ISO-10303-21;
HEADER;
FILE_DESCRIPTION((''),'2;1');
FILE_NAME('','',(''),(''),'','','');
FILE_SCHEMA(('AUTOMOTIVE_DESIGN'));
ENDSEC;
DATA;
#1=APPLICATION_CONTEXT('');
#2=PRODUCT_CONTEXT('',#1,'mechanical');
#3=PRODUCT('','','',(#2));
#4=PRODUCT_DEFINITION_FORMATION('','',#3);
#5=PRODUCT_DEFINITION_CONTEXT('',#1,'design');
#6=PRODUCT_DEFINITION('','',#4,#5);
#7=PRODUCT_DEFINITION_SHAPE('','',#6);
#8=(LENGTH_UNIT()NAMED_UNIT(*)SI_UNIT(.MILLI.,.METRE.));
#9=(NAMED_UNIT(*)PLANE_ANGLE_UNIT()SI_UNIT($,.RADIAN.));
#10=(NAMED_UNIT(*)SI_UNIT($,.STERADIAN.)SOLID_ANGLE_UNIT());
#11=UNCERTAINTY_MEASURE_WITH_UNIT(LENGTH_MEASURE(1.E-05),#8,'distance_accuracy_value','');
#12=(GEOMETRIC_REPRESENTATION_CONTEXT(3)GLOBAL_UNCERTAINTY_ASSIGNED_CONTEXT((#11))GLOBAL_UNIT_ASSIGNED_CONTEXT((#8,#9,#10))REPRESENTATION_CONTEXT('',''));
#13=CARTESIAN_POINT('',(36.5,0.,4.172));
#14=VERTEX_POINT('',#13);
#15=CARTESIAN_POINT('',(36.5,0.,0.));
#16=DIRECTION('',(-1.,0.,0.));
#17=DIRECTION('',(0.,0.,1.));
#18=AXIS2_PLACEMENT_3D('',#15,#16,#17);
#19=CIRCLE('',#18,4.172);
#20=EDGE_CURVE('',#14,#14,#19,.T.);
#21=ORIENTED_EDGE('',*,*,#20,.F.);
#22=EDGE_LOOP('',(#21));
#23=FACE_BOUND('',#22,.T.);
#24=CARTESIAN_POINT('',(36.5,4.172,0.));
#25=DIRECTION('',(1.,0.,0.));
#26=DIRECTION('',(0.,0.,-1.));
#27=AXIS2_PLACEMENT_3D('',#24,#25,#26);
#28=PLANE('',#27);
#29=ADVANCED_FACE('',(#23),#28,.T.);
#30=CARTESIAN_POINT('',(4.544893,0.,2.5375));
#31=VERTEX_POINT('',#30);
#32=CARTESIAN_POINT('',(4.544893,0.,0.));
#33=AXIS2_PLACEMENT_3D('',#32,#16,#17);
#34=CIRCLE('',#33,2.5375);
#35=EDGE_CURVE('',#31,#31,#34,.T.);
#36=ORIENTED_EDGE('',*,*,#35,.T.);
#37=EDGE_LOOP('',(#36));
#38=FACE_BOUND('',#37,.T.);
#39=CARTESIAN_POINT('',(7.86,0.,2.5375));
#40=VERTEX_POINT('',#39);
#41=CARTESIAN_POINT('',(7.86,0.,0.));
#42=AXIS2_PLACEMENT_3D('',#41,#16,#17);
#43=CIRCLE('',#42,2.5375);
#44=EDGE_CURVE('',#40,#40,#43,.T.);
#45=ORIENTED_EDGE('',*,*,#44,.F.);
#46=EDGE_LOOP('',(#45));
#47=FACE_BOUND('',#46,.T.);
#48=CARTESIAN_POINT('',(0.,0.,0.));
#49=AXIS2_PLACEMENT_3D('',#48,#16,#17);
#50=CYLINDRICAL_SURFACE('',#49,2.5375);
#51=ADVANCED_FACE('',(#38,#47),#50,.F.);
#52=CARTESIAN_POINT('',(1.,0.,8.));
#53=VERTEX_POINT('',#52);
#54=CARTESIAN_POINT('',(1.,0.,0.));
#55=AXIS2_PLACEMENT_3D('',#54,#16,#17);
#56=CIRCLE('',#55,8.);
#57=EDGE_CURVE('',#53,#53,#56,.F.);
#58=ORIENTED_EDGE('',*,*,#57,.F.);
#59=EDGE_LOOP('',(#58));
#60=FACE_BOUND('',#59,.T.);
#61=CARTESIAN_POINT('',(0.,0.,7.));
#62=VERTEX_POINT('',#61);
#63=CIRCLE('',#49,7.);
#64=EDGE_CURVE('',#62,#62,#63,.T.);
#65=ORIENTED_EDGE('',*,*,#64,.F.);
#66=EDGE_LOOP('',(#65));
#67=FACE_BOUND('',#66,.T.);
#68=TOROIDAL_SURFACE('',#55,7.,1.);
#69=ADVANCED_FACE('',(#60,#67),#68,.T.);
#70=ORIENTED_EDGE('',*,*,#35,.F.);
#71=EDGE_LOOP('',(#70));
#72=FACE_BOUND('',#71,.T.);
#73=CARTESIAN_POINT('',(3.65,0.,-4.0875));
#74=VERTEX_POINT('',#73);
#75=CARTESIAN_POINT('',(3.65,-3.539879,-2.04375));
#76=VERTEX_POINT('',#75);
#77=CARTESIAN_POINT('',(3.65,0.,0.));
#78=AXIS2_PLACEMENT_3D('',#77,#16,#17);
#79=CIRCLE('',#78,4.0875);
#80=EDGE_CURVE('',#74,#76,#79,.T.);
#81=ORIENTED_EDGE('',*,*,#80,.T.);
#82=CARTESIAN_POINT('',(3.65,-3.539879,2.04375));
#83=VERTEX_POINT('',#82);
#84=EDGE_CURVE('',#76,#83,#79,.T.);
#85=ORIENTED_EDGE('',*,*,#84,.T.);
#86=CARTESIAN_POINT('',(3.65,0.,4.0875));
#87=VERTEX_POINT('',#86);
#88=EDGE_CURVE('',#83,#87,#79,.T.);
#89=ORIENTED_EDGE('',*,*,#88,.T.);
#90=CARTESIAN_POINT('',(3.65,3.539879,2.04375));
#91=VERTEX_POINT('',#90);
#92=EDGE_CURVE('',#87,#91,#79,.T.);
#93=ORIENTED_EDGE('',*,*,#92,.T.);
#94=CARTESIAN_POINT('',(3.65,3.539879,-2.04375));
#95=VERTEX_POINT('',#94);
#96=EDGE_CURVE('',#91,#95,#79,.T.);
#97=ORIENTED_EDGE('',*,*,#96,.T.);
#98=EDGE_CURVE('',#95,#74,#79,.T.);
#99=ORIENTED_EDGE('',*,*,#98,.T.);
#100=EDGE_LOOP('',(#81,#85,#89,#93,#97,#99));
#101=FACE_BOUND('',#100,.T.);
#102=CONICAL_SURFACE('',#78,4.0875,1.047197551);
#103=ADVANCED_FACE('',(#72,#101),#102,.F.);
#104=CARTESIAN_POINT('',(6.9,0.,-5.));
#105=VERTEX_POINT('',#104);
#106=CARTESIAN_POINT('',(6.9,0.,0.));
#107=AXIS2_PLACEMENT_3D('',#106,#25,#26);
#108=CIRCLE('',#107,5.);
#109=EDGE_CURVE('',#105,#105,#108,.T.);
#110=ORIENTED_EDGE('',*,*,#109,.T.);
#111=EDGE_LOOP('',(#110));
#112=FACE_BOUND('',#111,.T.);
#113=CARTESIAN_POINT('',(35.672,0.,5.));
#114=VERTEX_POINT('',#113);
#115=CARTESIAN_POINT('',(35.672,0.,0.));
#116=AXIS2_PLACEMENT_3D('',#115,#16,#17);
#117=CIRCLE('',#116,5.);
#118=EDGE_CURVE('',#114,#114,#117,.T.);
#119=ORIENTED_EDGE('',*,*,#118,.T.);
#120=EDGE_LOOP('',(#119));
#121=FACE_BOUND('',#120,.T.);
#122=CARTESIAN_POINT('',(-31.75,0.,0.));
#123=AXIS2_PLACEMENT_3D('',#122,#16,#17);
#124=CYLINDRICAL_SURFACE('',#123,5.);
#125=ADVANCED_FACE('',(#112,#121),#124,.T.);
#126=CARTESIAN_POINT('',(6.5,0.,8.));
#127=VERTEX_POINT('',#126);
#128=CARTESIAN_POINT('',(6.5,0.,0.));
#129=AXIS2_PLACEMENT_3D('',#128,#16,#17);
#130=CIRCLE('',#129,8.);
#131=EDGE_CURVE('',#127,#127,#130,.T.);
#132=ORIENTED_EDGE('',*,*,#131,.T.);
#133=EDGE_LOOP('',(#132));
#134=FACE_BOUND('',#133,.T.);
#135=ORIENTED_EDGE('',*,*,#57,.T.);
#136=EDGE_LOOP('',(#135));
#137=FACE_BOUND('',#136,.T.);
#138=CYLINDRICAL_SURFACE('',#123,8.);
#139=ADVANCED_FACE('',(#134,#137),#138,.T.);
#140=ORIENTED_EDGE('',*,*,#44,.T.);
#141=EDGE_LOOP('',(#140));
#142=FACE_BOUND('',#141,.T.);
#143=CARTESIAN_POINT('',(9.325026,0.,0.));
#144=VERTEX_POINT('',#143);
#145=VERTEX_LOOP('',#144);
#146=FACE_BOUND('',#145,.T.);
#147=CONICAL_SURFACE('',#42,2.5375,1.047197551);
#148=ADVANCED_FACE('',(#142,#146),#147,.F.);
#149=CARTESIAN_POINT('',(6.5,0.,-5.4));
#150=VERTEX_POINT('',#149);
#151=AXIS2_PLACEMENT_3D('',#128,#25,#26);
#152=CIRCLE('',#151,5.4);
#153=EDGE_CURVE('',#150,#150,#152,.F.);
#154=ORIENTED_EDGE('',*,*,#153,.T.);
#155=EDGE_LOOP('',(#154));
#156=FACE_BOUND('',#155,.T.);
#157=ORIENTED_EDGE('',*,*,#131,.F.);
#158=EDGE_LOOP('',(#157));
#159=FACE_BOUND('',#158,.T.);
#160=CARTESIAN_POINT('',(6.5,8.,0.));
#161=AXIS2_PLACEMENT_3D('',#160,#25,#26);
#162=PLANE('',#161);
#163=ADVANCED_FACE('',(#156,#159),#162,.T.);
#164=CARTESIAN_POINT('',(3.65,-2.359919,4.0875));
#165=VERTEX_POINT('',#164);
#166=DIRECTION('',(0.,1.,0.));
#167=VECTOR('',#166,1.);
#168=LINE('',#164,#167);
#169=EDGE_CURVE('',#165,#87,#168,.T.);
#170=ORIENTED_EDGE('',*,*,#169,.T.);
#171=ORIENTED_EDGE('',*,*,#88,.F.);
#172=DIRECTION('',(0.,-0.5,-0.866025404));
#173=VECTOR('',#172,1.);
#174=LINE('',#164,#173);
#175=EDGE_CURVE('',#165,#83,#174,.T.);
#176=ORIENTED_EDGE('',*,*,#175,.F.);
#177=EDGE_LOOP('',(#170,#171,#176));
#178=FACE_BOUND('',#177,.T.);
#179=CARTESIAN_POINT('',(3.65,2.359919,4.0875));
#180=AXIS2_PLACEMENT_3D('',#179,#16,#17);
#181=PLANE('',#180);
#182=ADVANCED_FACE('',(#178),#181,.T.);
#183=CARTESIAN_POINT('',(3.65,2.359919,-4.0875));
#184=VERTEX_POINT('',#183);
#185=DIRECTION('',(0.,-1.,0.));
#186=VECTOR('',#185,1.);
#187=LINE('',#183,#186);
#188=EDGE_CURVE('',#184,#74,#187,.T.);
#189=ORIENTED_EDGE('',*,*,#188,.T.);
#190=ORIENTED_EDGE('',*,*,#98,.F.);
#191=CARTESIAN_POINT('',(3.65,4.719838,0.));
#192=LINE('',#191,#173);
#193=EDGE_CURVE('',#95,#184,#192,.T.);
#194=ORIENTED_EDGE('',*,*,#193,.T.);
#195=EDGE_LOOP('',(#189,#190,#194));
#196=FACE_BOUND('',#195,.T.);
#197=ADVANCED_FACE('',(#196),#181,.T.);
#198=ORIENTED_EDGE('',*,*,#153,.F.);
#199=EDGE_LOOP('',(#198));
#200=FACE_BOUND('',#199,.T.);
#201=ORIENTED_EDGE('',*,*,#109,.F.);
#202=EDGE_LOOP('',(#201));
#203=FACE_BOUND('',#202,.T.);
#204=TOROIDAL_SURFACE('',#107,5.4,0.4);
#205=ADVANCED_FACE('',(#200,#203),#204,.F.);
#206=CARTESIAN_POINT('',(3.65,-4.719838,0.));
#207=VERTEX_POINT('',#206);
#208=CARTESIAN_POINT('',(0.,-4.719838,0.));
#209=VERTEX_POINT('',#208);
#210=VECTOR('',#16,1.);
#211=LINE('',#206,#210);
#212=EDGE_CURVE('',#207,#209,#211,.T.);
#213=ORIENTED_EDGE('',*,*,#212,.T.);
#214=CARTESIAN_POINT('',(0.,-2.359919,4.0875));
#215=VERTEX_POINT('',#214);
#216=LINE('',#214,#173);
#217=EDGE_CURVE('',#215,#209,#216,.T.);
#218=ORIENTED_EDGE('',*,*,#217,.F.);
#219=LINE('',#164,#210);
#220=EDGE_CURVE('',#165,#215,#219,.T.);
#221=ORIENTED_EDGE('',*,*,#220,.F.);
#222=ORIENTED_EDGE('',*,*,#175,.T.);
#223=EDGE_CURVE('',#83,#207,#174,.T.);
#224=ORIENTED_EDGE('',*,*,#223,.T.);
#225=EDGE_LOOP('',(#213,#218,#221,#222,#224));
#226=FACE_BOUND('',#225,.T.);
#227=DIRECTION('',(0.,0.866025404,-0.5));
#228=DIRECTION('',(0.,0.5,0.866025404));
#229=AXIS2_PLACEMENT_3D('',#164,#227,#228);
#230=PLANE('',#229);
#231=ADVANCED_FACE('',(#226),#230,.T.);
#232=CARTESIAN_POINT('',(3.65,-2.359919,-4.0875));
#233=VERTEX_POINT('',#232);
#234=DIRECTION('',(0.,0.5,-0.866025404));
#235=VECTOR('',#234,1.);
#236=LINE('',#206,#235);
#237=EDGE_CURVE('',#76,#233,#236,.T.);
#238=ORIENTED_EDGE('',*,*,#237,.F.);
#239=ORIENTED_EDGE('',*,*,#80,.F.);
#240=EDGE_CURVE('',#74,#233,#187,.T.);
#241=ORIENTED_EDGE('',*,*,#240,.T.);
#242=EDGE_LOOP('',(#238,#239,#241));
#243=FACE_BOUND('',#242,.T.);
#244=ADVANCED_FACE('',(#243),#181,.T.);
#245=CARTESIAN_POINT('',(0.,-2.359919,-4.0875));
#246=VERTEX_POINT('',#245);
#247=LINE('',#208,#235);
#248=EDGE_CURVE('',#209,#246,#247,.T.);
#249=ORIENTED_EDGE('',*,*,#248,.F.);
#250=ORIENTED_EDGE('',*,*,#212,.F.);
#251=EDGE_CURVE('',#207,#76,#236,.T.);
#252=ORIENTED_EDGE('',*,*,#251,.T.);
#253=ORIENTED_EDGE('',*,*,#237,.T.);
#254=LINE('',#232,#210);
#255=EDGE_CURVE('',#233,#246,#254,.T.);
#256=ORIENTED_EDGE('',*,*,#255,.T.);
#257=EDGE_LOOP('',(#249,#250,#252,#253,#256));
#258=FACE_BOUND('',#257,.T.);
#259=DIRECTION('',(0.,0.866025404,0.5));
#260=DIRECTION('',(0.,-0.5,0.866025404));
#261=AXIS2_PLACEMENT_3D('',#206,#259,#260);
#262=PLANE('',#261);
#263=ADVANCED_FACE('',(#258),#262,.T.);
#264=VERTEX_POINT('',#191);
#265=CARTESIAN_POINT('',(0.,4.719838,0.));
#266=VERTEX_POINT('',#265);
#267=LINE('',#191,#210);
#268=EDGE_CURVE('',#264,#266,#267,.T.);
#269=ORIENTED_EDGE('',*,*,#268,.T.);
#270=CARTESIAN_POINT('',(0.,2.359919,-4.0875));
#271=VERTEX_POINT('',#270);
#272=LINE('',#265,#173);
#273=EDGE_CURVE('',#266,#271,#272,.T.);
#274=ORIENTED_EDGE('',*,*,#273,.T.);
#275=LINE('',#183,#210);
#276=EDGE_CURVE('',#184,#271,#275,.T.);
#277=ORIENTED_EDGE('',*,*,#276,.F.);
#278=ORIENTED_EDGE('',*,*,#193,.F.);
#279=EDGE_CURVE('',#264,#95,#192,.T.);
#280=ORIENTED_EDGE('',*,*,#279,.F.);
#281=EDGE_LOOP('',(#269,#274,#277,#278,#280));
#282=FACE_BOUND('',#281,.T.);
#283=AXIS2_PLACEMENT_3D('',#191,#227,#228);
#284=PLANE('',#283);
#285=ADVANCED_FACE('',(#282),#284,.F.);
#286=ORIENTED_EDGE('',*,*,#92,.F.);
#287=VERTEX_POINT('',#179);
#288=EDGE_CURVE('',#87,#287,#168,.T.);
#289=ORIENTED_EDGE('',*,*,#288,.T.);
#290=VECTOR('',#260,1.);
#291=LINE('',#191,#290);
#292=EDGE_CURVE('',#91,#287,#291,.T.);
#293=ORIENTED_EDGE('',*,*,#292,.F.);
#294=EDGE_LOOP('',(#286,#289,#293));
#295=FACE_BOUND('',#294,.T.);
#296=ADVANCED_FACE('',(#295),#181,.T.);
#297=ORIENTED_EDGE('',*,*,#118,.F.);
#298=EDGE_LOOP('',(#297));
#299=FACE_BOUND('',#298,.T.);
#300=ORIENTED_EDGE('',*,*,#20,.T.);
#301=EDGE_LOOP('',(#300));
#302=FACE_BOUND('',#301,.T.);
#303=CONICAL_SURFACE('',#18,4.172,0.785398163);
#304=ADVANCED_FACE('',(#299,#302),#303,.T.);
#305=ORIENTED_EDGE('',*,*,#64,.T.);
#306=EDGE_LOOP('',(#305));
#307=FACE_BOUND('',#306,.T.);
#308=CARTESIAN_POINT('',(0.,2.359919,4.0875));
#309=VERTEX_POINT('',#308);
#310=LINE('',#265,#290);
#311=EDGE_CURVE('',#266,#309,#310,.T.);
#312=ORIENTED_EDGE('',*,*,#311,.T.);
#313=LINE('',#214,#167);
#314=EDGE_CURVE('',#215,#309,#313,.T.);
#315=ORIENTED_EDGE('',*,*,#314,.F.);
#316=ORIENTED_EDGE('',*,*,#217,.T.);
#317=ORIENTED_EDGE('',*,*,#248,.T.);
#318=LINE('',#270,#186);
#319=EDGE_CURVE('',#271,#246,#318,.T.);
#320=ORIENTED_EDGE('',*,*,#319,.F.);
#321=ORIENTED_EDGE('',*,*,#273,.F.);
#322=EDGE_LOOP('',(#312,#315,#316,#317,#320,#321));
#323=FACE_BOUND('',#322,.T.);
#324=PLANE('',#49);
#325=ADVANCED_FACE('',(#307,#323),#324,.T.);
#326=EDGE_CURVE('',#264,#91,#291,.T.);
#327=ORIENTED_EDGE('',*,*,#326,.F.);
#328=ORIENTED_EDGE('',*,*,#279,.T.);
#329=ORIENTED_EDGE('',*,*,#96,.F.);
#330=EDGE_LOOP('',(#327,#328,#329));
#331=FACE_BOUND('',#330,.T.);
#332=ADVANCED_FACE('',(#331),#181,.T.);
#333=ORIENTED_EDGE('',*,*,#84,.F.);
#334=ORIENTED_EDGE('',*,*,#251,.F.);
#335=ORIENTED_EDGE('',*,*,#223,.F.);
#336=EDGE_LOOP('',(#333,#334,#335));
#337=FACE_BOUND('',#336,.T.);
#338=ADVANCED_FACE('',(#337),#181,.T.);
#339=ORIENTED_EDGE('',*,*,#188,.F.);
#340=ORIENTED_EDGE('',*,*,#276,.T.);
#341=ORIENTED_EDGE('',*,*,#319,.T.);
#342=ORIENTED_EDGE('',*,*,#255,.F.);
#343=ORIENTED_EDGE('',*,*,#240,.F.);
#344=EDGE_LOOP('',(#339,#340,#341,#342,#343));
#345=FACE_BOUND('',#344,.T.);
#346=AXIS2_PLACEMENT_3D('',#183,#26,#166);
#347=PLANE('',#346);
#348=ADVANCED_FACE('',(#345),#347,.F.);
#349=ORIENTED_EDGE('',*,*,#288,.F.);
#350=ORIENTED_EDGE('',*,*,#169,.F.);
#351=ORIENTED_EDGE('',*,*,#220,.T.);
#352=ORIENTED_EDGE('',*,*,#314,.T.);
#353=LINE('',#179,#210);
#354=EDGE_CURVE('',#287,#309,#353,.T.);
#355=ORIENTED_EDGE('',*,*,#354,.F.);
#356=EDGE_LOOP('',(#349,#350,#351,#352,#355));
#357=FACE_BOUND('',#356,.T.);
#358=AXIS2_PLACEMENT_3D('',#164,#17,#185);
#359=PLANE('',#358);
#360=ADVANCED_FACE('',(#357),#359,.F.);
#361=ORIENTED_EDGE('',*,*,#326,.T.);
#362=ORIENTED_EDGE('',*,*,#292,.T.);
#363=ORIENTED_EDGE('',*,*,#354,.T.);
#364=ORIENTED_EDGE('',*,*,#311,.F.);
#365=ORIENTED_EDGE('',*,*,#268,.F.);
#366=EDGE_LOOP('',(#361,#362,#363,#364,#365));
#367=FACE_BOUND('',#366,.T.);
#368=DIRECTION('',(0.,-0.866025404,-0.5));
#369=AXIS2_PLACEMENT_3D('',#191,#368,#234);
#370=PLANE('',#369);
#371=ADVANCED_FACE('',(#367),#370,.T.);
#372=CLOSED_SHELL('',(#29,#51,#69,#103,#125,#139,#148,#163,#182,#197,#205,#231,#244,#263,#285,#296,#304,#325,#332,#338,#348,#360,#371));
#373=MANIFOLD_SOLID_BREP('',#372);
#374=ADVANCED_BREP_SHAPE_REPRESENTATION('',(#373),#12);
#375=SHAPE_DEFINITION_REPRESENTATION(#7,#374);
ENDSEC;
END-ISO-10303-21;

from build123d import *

# Parameters (mm, degrees)
FILLET1_R   = 0.4
FILLET2_R   = 1
HEX_2_DEPTH = 3.65


with BuildPart() as part:
    # BodySke → Base-Revolve (revolve)
    with BuildSketch(Plane.XY):
        Polygon((0, 0), (0, 8), (6.5, 8), (6.5, 5), (35.672, 5), (36.5, 4.172), (36.5, 0), align=None)
    revolve(axis=Axis((-31.75, 0, 0), (1, 0, 0)))

    # Fillet1
    fillet1_edges = [part.edges().sort_by_distance(p)[0] for p in [
        (6.5, -5, 0),
    ]]
    fillet(fillet1_edges, radius=FILLET1_R)

    # Fillet2
    fillet2_edges = [part.edges().sort_by_distance(p)[0] for p in [
        (0, -8, 0),
    ]]
    fillet(fillet2_edges, radius=FILLET2_R)

    # HexSke → Hex 2 (cut)
    with BuildSketch(Plane(origin=(0, 0, 0), x_dir=(0, 0.5, 0.866025404), z_dir=(-1, 0, 0))):
        Polygon((2.359919225, 4.0875), (-2.359919225, 4.0875), (-4.719838451, 0), (-2.359919225, -4.0875), (2.359919225, -4.0875), (4.719838451, 0), align=None)
    extrude(amount=-HEX_2_DEPTH, mode=Mode.SUBTRACT)

    # PilotSke → Hex-PreBroach (revolve, cut)
    with BuildSketch(Plane.XY):
        Polygon((0, 4.0875), (3.65, 4.0875), (4.544892917, 2.5375), (7.86, 2.5375), (9.325026308, 0), (0, 0), align=None)
    revolve(axis=Axis((0, 0, 0), (1, 0, 0)), mode=Mode.SUBTRACT)


solid = part.part
